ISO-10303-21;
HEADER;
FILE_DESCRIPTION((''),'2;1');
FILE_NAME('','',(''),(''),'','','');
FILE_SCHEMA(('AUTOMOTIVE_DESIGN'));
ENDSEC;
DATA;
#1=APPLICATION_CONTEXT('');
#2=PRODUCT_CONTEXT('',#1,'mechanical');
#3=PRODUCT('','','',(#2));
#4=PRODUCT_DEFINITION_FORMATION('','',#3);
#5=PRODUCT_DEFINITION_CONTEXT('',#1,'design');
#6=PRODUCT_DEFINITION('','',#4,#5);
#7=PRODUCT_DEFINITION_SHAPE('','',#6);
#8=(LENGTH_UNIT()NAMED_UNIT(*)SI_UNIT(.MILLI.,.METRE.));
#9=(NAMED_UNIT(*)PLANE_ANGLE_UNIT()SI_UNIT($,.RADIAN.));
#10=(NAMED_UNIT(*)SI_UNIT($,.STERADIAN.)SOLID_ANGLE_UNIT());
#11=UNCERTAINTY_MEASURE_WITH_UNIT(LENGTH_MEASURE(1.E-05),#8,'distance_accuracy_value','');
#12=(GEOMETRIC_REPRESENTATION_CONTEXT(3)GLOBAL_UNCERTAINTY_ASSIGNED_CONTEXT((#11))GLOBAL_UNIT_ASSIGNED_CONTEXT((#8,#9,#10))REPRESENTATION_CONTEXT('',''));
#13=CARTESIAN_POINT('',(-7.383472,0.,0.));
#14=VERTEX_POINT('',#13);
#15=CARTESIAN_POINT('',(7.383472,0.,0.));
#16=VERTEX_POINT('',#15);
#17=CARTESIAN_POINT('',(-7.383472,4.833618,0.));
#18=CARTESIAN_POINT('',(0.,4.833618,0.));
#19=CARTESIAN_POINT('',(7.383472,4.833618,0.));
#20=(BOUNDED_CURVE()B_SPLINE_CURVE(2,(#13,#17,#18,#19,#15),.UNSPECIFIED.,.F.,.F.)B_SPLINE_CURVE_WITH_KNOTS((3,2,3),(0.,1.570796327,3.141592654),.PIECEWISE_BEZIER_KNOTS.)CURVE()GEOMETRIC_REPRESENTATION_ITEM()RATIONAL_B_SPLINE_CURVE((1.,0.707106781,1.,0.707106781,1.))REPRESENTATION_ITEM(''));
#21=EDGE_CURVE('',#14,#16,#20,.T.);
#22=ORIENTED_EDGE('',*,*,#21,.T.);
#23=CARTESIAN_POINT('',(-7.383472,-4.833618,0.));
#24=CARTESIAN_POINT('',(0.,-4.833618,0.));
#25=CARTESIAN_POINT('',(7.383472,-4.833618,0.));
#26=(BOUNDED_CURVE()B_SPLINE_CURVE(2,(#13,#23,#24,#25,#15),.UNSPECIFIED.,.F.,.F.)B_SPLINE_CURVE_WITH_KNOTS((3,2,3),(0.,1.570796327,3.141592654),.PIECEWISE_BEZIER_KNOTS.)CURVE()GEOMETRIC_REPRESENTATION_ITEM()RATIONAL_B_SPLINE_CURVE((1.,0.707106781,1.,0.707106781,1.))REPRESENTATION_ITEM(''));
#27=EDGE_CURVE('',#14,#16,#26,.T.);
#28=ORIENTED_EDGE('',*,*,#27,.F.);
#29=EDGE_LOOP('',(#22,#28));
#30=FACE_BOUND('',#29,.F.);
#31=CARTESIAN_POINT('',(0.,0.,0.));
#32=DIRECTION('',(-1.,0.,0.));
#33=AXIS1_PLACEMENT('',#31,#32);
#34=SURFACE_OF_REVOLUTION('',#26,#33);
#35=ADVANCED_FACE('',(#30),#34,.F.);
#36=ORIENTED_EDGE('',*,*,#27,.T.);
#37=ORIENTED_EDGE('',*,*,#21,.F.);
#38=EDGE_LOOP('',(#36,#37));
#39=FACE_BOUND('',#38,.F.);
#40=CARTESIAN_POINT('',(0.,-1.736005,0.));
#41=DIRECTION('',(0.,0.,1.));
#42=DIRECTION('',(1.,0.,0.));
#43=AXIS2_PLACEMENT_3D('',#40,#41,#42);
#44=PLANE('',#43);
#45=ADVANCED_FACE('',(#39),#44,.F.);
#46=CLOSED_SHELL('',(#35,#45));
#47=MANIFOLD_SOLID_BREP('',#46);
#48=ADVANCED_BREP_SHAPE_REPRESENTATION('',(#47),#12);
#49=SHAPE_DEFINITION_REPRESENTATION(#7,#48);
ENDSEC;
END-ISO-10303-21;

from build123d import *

# Parameters (mm, degrees)
F1_ANGLE = 180


with BuildPart() as f1:
    # F0 (on Top) → F1 (revolve)
    with BuildSketch(Plane.XY):
        with BuildLine():
            Line((7.3834722862, 0), (-7.3834722862, 0))
            add(Edge.make_bspline(
                [(-7.3834722862, 0), (-7.3834722862, -4.8336176348), (0, -4.8336176348), (7.3834722862, -4.8336176348), (7.3834722862, 0)],
                knots=[0, 0, 0, 1.5707963268, 1.5707963268, 3.1415926536, 3.1415926536, 3.1415926536], degree=2, weights=[1, 0.7071067812, 1, 0.7071067812, 1]))
        make_face()
    revolve(axis=Axis((0, 0, 0), (-1, 0, 0)), revolution_arc=F1_ANGLE)


solid = f1.part
